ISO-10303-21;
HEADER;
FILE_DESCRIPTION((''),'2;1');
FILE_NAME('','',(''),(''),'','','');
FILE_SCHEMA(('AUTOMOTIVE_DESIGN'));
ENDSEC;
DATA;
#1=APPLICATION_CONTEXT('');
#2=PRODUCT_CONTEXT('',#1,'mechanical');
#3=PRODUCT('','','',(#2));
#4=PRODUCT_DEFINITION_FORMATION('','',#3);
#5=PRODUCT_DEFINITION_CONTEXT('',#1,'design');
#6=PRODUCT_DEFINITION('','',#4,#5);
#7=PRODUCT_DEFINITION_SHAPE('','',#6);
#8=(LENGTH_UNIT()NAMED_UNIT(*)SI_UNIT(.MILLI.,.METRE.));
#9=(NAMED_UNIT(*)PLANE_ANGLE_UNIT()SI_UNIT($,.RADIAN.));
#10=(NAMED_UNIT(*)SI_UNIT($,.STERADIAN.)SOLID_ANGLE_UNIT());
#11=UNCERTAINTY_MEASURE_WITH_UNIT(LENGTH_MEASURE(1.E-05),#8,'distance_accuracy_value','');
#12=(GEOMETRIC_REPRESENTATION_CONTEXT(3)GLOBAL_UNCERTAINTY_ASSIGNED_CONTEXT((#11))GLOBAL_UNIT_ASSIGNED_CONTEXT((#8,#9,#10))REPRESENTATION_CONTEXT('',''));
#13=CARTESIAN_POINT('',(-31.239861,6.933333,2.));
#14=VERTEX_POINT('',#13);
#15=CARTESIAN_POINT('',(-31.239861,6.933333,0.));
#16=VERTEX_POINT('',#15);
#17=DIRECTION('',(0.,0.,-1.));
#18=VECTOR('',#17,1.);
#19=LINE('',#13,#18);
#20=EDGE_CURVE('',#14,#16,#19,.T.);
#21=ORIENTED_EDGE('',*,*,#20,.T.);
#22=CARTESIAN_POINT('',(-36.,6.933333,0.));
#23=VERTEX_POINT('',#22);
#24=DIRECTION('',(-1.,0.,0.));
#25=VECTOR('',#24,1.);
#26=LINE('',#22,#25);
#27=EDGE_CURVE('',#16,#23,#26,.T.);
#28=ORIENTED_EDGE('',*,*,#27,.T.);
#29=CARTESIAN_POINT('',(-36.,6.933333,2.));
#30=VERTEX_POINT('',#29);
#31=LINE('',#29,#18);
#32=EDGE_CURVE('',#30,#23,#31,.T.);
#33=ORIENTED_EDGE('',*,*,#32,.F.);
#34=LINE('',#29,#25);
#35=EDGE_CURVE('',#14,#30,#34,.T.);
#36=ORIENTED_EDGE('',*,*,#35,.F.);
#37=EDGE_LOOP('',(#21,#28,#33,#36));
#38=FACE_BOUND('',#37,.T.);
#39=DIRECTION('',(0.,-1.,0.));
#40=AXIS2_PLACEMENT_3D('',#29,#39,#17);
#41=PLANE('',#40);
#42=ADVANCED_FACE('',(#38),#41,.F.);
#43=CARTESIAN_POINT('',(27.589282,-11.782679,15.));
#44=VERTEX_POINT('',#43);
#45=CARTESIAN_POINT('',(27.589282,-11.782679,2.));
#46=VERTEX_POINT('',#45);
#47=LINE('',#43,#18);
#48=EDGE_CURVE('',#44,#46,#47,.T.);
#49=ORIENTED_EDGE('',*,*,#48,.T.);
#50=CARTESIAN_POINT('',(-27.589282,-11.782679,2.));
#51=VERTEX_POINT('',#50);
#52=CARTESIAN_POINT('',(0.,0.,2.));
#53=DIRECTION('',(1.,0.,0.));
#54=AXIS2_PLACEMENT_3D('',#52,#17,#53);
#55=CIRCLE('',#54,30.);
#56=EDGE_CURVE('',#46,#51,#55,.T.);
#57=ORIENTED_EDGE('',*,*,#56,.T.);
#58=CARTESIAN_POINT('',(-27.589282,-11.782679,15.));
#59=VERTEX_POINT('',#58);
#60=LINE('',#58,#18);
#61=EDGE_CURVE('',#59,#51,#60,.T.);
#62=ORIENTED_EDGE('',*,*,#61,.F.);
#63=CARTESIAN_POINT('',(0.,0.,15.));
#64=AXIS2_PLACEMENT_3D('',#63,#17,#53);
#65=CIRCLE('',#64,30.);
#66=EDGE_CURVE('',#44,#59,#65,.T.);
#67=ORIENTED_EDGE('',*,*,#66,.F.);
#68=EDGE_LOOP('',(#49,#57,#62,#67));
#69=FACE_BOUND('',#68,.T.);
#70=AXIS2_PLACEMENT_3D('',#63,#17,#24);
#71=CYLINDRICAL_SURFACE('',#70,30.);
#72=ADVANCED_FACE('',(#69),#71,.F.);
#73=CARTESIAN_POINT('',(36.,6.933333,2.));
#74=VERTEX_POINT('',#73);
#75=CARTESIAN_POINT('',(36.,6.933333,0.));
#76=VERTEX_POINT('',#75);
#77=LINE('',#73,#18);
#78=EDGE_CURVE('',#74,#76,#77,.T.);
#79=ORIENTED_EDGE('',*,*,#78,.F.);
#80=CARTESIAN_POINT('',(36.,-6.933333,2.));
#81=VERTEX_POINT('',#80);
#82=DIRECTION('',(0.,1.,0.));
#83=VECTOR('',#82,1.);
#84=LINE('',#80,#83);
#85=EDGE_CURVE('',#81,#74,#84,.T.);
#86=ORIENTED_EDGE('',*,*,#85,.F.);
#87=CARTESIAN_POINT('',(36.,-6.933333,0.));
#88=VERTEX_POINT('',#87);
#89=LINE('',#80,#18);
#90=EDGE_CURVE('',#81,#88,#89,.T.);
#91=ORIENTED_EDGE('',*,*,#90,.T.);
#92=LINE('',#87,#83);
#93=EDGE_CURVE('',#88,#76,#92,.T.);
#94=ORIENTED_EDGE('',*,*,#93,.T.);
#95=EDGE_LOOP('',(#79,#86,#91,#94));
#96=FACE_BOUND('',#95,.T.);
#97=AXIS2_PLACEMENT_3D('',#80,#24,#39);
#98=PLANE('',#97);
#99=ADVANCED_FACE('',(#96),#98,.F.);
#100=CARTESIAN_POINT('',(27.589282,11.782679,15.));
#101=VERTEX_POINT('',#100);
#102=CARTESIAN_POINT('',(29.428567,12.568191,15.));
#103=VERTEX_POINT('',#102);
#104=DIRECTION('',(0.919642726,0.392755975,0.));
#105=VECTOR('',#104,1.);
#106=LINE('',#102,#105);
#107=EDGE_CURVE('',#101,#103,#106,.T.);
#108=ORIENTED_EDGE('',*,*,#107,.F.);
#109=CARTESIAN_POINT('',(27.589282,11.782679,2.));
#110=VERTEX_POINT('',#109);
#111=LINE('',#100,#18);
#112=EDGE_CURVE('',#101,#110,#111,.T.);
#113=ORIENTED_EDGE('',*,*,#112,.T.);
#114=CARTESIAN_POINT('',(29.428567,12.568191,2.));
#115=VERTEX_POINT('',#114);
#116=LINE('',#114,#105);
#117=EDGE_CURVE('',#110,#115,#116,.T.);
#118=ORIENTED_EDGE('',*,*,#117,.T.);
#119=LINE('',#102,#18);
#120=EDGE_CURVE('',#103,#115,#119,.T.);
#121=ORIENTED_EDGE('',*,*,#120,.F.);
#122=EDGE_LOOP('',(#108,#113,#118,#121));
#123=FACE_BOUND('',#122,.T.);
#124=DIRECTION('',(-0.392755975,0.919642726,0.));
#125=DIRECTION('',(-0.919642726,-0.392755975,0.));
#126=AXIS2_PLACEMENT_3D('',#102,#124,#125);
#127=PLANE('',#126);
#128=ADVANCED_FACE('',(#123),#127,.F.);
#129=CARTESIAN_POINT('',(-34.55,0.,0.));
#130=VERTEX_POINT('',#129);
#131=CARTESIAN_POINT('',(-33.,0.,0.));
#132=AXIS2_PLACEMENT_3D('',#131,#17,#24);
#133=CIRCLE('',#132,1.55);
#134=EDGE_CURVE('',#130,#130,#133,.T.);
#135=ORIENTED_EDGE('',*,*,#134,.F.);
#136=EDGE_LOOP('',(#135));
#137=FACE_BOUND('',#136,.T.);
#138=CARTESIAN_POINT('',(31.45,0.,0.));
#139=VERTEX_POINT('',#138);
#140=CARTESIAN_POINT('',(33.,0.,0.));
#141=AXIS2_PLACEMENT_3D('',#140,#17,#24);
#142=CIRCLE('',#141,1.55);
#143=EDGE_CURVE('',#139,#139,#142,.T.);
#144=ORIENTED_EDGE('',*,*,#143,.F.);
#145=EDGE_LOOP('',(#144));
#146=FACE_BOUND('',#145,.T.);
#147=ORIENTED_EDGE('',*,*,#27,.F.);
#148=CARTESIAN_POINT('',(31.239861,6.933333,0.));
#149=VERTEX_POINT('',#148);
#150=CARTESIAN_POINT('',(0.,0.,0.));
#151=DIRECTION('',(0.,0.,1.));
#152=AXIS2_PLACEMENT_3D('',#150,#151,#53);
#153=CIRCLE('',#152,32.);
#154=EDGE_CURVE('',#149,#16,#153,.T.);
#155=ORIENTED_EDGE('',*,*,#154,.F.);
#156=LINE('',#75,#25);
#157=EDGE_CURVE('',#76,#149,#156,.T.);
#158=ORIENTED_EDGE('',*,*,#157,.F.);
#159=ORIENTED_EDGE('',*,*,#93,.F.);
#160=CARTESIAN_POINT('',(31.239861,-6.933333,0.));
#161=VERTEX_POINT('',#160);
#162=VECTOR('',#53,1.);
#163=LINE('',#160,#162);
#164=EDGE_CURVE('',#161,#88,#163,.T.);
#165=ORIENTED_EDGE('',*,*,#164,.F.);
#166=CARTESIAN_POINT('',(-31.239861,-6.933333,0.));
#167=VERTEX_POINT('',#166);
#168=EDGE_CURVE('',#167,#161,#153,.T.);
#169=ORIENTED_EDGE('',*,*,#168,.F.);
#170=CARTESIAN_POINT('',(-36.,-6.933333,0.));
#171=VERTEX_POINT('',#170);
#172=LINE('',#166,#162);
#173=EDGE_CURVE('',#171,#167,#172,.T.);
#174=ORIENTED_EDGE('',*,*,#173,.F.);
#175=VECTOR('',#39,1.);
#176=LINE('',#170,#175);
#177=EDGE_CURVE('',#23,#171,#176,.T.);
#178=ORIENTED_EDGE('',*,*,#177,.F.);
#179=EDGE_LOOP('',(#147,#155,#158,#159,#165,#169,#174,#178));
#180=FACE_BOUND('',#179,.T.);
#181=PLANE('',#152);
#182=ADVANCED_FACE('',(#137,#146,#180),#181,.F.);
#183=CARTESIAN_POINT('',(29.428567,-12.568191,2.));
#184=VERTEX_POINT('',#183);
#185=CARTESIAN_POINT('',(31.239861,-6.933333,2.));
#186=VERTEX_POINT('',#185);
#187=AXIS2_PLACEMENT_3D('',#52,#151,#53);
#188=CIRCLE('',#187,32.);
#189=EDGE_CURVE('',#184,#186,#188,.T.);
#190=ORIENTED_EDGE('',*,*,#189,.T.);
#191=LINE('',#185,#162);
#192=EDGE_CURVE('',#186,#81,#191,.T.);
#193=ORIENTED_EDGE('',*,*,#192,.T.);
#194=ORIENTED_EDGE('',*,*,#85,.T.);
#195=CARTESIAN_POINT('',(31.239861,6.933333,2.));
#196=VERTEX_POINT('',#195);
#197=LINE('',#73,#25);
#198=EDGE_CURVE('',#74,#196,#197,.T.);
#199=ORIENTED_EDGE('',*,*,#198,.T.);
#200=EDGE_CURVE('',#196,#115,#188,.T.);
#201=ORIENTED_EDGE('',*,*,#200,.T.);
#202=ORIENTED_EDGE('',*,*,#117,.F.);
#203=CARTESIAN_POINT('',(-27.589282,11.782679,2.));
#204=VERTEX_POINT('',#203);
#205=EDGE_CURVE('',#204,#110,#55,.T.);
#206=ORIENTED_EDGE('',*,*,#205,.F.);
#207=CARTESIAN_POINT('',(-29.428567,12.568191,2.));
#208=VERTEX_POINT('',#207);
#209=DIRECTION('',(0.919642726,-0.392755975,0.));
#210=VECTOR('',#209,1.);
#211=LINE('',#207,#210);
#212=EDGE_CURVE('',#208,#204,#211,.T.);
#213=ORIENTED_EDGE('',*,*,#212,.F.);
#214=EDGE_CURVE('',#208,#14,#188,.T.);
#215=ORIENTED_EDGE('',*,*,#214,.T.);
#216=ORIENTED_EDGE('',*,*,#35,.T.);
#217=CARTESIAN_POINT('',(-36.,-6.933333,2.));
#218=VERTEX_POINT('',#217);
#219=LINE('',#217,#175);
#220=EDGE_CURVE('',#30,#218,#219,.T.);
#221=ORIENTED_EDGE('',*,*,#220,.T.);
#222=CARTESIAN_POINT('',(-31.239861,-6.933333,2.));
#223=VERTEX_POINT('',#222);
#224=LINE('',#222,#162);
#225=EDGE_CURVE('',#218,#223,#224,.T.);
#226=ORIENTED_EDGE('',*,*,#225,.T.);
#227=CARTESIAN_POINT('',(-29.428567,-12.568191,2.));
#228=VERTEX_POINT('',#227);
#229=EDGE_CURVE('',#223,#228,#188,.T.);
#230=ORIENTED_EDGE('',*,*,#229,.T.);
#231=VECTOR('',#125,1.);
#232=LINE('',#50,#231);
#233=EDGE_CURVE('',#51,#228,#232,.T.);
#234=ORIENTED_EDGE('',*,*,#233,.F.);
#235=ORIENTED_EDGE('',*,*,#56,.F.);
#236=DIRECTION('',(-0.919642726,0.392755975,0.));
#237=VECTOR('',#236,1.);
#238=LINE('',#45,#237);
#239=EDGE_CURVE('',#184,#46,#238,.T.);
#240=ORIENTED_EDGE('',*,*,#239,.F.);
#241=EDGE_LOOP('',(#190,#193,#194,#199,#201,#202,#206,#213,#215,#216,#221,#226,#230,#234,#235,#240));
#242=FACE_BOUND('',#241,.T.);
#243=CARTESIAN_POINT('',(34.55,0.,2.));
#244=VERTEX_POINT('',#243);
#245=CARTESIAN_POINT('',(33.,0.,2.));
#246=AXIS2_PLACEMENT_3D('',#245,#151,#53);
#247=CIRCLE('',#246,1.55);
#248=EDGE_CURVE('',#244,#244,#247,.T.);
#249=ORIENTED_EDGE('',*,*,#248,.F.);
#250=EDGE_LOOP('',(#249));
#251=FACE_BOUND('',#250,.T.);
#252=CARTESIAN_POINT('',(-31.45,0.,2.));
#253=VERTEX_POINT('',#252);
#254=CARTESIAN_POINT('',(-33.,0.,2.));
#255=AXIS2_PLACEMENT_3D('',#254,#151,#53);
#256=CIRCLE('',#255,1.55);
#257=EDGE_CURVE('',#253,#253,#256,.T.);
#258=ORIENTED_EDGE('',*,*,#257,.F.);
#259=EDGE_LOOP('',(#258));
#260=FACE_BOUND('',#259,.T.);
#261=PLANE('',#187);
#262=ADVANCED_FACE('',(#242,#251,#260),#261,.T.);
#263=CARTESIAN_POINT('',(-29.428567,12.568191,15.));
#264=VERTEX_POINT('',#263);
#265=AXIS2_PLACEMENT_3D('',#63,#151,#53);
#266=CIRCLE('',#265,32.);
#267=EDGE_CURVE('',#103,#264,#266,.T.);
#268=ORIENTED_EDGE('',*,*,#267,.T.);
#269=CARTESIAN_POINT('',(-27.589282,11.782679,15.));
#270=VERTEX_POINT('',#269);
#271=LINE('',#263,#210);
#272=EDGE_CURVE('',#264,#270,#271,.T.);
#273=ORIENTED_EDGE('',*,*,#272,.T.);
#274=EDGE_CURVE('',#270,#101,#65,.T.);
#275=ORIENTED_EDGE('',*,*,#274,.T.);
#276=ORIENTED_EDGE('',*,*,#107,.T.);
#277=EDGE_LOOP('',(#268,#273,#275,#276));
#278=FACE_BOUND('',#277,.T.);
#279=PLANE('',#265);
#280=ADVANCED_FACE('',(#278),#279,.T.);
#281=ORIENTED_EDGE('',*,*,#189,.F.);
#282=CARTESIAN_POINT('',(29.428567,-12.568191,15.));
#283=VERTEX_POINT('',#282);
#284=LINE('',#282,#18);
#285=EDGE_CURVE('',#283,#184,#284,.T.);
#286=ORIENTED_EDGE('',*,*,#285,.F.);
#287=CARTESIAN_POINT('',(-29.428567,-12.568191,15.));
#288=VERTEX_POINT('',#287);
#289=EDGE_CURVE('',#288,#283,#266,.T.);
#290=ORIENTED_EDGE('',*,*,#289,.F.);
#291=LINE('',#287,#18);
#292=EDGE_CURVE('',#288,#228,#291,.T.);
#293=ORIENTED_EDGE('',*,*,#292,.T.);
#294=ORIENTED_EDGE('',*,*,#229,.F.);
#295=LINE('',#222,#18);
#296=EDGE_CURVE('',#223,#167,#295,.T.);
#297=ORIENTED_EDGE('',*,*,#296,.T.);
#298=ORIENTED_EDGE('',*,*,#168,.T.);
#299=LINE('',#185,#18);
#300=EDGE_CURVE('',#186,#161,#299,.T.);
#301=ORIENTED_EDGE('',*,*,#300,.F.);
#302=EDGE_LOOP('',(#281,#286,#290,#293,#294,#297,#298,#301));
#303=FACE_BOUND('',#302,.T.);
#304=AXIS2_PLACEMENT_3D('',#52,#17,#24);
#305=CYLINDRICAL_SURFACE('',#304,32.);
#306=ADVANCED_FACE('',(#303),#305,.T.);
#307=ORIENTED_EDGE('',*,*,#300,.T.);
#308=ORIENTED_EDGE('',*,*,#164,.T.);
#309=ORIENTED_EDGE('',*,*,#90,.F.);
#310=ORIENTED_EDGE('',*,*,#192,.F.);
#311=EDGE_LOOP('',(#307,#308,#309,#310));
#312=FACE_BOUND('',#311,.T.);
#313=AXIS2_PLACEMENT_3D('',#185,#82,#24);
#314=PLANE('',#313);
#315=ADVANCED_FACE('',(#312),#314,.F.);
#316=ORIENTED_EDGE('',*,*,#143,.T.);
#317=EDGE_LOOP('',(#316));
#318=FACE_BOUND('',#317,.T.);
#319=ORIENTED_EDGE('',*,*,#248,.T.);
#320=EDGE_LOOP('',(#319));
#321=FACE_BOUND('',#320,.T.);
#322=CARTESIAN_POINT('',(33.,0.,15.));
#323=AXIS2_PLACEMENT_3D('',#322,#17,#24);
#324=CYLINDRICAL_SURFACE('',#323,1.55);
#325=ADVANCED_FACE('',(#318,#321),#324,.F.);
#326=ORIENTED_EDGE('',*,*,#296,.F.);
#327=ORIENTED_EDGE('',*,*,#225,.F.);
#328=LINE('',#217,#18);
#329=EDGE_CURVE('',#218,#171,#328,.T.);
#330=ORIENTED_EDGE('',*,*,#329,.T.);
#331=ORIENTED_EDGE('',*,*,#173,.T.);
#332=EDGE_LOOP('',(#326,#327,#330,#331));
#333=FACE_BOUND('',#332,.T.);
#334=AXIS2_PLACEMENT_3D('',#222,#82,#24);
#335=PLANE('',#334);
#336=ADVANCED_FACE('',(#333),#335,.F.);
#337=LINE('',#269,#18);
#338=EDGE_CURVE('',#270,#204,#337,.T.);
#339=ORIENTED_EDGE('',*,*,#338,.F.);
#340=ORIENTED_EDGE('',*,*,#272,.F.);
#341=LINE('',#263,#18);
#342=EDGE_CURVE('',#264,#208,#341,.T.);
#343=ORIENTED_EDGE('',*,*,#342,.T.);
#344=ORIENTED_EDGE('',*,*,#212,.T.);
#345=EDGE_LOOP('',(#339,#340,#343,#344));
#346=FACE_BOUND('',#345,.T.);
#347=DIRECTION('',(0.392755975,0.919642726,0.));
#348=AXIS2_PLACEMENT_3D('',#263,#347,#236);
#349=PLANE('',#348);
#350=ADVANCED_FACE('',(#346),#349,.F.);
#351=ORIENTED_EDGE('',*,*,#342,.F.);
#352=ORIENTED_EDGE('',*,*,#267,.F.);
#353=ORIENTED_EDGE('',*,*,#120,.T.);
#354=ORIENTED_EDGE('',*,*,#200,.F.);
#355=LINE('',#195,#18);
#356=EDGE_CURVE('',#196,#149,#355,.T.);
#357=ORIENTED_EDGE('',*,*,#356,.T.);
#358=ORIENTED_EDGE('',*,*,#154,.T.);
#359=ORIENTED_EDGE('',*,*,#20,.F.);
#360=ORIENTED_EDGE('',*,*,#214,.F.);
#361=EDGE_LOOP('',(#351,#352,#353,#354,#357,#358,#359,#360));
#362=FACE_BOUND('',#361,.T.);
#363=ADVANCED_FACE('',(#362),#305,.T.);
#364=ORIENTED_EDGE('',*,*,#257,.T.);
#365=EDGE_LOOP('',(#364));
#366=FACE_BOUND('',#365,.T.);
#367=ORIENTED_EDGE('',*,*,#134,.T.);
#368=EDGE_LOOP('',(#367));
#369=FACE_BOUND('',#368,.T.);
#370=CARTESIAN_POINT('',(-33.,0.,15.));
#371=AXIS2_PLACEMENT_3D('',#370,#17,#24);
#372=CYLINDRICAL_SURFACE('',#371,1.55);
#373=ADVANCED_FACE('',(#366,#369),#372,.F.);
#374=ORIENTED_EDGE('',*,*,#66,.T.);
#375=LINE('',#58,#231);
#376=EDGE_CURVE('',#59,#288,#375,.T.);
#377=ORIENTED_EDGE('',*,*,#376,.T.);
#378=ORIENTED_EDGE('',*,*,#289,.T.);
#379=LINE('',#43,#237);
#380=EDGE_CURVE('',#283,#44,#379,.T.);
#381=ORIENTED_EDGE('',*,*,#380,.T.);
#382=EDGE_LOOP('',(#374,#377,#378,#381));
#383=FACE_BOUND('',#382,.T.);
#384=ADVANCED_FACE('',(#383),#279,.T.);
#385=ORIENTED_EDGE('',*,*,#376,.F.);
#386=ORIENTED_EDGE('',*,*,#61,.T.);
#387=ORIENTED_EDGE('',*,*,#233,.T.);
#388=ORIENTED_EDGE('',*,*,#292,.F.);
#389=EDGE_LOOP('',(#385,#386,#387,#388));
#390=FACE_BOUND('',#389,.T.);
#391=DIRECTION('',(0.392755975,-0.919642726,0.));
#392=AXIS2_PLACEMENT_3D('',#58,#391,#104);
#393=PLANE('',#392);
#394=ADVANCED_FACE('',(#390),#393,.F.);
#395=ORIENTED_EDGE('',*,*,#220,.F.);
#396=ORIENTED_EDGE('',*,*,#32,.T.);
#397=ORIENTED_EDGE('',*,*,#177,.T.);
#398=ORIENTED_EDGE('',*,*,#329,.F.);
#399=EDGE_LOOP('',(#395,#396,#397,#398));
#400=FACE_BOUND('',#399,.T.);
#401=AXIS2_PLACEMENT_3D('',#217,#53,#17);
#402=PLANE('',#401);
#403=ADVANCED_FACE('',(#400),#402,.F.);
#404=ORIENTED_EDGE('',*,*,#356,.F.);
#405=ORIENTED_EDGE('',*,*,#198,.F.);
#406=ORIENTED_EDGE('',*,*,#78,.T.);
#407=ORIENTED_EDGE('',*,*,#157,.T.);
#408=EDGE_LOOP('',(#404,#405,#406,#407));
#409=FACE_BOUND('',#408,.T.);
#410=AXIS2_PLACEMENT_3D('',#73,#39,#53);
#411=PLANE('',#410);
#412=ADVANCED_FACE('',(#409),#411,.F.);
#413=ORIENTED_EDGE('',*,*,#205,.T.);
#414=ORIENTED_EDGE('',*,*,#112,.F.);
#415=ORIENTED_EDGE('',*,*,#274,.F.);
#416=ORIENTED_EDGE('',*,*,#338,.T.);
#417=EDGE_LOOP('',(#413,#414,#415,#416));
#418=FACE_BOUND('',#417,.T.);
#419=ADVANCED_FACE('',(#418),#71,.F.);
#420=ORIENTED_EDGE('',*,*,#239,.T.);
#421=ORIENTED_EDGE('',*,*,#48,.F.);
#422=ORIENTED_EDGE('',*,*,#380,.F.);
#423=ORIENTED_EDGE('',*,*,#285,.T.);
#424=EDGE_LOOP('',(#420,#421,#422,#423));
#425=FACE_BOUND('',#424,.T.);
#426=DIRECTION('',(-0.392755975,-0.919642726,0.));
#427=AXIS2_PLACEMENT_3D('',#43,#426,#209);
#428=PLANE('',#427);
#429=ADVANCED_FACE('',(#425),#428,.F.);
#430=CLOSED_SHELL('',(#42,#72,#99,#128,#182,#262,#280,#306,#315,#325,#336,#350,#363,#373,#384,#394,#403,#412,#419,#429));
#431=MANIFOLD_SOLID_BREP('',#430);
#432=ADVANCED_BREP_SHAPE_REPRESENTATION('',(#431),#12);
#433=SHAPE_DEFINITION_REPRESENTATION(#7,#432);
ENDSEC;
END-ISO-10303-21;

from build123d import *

# Parameters (mm, degrees)
BOSS_EXTRUDE1_DEPTH = 2
BOSS_EXTRUDE2_DEPTH = 13
SKETCH3_R           = 1.55
CUT_EXTRUDE1_DEPTH  = 16


with BuildPart() as part:
    # Sketch1 → Boss-Extrude1 (new body)
    with BuildSketch(Plane.XY):
        with BuildLine():
            Line((-31.239860577, -6.933333333), (-36, -6.933333333))
            Line((-36, -6.933333333), (-36, 6.933333333))
            Line((-36, 6.933333333), (-31.239860577, 6.933333333))
            ThreePointArc((-31.239860577, 6.933333333), (0, 32), (31.239860577, 6.933333333))
            Line((31.239860577, 6.933333333), (36, 6.933333333))
            Line((36, 6.933333333), (36, -6.933333333))
            Line((36, -6.933333333), (31.239860577, -6.933333333))
            ThreePointArc((31.239860577, -6.933333333), (0, -32), (-31.239860577, -6.933333333))
        make_face()
    extrude(amount=BOSS_EXTRUDE1_DEPTH)

    # Sketch2 → Boss-Extrude2 (add)
    with BuildSketch(Plane.XY.offset(2)):
        with BuildLine():
            Line((-29.428567245, 12.568191195), (-27.589281792, 11.782679245))
            ThreePointArc((-27.589281792, 11.782679245), (0, 30), (27.589281792, 11.782679245))
            Line((27.589281792, 11.782679245), (29.428567245, 12.568191195))
            ThreePointArc((29.428567245, 12.568191195), (0, 32), (-29.428567245, 12.568191195))
        make_face()
        with BuildLine():
            Line((27.589281792, -11.782679245), (29.428567245, -12.568191195))
            ThreePointArc((29.428567245, -12.568191195), (0, -32), (-29.428567245, -12.568191195))
            Line((-29.428567245, -12.568191195), (-27.589281792, -11.782679245))
            ThreePointArc((-27.589281792, -11.782679245), (0, -30), (27.589281792, -11.782679245))
        make_face()
    extrude(amount=BOSS_EXTRUDE2_DEPTH)

    # Sketch3 → Cut-Extrude1 (cut, through all)
    with BuildSketch(Plane(origin=(0, 0, 0), x_dir=(-1, 0, 0), z_dir=(0, 0, -1))):
        with Locations((-33, 0)):
            Circle(SKETCH3_R)
        with Locations((33, 0)):
            Circle(SKETCH3_R)
    extrude(amount=-CUT_EXTRUDE1_DEPTH, mode=Mode.SUBTRACT)


solid = part.part
